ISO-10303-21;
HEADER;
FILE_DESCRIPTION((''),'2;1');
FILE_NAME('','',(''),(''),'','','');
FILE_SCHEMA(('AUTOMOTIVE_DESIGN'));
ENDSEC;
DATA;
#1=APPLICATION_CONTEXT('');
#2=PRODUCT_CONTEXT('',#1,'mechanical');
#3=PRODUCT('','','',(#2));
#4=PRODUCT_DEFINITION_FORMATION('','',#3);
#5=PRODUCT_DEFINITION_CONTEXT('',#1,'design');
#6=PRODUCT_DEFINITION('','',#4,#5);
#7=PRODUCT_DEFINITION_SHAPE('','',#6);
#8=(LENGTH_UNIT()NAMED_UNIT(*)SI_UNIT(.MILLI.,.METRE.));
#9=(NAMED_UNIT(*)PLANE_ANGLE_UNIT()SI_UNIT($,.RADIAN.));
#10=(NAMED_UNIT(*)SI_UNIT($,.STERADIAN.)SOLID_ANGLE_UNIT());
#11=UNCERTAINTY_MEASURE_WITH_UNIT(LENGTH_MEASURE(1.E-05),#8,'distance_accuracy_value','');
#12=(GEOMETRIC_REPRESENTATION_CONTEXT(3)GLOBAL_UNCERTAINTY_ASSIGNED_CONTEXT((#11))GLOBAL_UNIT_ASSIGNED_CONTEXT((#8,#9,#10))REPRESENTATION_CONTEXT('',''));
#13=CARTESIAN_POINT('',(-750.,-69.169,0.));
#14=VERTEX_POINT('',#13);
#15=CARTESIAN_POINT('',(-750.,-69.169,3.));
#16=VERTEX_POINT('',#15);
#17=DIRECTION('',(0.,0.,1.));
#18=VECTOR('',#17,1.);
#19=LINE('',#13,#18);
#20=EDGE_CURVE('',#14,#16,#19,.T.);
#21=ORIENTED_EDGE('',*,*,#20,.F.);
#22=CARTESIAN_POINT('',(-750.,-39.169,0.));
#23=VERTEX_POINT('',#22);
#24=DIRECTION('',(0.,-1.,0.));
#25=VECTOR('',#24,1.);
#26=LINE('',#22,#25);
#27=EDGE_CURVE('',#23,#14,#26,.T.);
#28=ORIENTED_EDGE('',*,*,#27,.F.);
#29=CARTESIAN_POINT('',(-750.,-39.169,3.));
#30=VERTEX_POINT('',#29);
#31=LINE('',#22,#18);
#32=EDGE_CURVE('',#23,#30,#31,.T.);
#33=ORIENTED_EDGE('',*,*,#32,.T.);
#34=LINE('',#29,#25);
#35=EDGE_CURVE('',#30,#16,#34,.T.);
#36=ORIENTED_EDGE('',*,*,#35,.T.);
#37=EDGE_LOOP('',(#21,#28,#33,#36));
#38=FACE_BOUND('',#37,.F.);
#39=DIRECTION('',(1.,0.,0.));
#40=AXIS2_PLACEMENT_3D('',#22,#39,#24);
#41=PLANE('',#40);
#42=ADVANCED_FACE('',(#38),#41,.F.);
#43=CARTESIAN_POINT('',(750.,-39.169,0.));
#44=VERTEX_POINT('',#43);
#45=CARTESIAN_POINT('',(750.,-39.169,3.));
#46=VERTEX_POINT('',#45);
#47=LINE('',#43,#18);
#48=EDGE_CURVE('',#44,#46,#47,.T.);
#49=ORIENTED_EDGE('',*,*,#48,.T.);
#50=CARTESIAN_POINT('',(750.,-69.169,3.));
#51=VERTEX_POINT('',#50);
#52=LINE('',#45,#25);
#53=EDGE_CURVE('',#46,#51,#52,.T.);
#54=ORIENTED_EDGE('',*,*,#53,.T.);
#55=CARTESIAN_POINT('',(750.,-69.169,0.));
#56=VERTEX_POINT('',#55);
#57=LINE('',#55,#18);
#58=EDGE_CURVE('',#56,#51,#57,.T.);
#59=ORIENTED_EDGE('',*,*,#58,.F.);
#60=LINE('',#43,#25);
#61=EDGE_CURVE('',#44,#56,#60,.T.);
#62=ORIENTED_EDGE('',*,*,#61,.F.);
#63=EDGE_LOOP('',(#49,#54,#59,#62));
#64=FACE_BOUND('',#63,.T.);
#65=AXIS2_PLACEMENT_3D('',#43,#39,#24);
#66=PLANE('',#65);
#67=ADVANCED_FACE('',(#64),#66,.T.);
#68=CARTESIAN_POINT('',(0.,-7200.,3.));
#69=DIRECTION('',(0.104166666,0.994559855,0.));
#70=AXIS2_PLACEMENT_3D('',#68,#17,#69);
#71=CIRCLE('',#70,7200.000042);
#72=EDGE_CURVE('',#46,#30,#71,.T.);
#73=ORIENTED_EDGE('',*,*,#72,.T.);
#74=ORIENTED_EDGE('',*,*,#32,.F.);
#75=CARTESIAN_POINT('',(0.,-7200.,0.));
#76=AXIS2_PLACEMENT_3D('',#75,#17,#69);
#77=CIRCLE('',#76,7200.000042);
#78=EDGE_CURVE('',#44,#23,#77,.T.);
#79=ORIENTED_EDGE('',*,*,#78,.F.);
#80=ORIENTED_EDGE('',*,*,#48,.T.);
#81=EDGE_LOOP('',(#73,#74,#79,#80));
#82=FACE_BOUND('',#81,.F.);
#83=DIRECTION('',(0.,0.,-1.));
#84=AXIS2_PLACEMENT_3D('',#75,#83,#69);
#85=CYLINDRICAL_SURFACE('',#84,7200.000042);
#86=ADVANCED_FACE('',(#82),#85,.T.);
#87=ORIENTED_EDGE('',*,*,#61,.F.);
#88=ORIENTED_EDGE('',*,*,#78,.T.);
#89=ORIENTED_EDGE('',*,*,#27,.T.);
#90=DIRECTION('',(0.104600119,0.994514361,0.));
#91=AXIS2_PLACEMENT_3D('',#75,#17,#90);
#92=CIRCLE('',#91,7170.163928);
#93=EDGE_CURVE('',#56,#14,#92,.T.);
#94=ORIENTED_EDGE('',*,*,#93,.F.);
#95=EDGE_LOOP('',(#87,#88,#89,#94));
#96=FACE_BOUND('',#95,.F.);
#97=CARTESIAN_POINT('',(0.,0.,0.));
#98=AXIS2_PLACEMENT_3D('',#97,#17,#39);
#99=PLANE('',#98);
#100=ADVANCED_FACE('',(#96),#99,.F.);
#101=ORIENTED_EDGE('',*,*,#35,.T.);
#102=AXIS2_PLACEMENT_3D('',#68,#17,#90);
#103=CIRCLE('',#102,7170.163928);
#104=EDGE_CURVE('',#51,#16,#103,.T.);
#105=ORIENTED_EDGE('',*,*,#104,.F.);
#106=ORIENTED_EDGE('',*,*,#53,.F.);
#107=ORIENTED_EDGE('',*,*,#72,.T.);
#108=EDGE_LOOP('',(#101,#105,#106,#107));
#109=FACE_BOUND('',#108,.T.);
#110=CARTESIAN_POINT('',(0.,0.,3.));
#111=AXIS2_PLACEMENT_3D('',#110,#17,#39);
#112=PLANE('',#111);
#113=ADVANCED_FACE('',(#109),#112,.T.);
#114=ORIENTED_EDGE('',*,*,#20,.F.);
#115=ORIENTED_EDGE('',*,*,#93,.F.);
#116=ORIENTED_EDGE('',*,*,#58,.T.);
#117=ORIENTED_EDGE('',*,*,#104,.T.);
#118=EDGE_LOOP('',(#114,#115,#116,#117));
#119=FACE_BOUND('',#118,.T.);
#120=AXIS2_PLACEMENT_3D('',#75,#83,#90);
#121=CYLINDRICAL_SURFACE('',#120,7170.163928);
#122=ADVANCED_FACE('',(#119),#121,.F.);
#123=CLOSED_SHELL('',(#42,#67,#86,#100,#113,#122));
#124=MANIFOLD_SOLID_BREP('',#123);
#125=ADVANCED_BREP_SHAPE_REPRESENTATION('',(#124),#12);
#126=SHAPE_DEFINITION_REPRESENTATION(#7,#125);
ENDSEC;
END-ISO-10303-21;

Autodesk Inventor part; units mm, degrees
ref_plane "YZ Plane" through (0, 0, 0) normal (1, 0, 0) x (0, 1, 0)
ref_plane "XZ Plane" through (0, 0, 0) normal (0, 1, 0) x (-1, 0, 0)
ref_plane "XY Plane" through (0, 0, 0) normal (0, 0, 1) x (1, 0, 0)
sketch "Sketch5" plane through (0, 0, 0) normal (0, 0, 1) x (1, 0, 0)
  arc A0 (750, -39.169) -> (-750, -39.169) centre (0, -7200) ccw
  line L0 (-750, -39.169) -> (-750, -69.169)
  line L1 (750, -39.169) -> (750, -69.169)
  arc A1 (750, -69.169) -> (-750, -69.169) centre (0, -7200) ccw
  point P0 (0, 0)
  point P1 (0, 0)
  dimension "d30" = 7200
  dimension "d31" = 30
  dimension "d32" = 1500
extrude "Plate2" add sketch "Sketch5" along normal blind 3
equation "\"d33\" = Thickness"
equation "\"BendRadius\" = Thickness"
equation "\"BendReliefWidth\" = Thickness"
equation "\"BendReliefDepth\" = 0.5 * Thickness"
equation "\"CornerReliefSize\" = 4 * Thickness"
equation "\"MinimumRemnant\" = 2 * Thickness"
equation "\"TransitionRadius\" = BendRadius"
equation "\"JacobiRadiusSize\" = BendRadius"
equation "\"GapSize\" = Thickness"
equation "\"Поясница_радиус\" = d21"
equation "\"Thickness\" = 3"
equation "\"d21\" = 8688.265625"
properties part number "MSC 031 sheet lowerback_FIX" material "Stainless Steel AISI 304"
